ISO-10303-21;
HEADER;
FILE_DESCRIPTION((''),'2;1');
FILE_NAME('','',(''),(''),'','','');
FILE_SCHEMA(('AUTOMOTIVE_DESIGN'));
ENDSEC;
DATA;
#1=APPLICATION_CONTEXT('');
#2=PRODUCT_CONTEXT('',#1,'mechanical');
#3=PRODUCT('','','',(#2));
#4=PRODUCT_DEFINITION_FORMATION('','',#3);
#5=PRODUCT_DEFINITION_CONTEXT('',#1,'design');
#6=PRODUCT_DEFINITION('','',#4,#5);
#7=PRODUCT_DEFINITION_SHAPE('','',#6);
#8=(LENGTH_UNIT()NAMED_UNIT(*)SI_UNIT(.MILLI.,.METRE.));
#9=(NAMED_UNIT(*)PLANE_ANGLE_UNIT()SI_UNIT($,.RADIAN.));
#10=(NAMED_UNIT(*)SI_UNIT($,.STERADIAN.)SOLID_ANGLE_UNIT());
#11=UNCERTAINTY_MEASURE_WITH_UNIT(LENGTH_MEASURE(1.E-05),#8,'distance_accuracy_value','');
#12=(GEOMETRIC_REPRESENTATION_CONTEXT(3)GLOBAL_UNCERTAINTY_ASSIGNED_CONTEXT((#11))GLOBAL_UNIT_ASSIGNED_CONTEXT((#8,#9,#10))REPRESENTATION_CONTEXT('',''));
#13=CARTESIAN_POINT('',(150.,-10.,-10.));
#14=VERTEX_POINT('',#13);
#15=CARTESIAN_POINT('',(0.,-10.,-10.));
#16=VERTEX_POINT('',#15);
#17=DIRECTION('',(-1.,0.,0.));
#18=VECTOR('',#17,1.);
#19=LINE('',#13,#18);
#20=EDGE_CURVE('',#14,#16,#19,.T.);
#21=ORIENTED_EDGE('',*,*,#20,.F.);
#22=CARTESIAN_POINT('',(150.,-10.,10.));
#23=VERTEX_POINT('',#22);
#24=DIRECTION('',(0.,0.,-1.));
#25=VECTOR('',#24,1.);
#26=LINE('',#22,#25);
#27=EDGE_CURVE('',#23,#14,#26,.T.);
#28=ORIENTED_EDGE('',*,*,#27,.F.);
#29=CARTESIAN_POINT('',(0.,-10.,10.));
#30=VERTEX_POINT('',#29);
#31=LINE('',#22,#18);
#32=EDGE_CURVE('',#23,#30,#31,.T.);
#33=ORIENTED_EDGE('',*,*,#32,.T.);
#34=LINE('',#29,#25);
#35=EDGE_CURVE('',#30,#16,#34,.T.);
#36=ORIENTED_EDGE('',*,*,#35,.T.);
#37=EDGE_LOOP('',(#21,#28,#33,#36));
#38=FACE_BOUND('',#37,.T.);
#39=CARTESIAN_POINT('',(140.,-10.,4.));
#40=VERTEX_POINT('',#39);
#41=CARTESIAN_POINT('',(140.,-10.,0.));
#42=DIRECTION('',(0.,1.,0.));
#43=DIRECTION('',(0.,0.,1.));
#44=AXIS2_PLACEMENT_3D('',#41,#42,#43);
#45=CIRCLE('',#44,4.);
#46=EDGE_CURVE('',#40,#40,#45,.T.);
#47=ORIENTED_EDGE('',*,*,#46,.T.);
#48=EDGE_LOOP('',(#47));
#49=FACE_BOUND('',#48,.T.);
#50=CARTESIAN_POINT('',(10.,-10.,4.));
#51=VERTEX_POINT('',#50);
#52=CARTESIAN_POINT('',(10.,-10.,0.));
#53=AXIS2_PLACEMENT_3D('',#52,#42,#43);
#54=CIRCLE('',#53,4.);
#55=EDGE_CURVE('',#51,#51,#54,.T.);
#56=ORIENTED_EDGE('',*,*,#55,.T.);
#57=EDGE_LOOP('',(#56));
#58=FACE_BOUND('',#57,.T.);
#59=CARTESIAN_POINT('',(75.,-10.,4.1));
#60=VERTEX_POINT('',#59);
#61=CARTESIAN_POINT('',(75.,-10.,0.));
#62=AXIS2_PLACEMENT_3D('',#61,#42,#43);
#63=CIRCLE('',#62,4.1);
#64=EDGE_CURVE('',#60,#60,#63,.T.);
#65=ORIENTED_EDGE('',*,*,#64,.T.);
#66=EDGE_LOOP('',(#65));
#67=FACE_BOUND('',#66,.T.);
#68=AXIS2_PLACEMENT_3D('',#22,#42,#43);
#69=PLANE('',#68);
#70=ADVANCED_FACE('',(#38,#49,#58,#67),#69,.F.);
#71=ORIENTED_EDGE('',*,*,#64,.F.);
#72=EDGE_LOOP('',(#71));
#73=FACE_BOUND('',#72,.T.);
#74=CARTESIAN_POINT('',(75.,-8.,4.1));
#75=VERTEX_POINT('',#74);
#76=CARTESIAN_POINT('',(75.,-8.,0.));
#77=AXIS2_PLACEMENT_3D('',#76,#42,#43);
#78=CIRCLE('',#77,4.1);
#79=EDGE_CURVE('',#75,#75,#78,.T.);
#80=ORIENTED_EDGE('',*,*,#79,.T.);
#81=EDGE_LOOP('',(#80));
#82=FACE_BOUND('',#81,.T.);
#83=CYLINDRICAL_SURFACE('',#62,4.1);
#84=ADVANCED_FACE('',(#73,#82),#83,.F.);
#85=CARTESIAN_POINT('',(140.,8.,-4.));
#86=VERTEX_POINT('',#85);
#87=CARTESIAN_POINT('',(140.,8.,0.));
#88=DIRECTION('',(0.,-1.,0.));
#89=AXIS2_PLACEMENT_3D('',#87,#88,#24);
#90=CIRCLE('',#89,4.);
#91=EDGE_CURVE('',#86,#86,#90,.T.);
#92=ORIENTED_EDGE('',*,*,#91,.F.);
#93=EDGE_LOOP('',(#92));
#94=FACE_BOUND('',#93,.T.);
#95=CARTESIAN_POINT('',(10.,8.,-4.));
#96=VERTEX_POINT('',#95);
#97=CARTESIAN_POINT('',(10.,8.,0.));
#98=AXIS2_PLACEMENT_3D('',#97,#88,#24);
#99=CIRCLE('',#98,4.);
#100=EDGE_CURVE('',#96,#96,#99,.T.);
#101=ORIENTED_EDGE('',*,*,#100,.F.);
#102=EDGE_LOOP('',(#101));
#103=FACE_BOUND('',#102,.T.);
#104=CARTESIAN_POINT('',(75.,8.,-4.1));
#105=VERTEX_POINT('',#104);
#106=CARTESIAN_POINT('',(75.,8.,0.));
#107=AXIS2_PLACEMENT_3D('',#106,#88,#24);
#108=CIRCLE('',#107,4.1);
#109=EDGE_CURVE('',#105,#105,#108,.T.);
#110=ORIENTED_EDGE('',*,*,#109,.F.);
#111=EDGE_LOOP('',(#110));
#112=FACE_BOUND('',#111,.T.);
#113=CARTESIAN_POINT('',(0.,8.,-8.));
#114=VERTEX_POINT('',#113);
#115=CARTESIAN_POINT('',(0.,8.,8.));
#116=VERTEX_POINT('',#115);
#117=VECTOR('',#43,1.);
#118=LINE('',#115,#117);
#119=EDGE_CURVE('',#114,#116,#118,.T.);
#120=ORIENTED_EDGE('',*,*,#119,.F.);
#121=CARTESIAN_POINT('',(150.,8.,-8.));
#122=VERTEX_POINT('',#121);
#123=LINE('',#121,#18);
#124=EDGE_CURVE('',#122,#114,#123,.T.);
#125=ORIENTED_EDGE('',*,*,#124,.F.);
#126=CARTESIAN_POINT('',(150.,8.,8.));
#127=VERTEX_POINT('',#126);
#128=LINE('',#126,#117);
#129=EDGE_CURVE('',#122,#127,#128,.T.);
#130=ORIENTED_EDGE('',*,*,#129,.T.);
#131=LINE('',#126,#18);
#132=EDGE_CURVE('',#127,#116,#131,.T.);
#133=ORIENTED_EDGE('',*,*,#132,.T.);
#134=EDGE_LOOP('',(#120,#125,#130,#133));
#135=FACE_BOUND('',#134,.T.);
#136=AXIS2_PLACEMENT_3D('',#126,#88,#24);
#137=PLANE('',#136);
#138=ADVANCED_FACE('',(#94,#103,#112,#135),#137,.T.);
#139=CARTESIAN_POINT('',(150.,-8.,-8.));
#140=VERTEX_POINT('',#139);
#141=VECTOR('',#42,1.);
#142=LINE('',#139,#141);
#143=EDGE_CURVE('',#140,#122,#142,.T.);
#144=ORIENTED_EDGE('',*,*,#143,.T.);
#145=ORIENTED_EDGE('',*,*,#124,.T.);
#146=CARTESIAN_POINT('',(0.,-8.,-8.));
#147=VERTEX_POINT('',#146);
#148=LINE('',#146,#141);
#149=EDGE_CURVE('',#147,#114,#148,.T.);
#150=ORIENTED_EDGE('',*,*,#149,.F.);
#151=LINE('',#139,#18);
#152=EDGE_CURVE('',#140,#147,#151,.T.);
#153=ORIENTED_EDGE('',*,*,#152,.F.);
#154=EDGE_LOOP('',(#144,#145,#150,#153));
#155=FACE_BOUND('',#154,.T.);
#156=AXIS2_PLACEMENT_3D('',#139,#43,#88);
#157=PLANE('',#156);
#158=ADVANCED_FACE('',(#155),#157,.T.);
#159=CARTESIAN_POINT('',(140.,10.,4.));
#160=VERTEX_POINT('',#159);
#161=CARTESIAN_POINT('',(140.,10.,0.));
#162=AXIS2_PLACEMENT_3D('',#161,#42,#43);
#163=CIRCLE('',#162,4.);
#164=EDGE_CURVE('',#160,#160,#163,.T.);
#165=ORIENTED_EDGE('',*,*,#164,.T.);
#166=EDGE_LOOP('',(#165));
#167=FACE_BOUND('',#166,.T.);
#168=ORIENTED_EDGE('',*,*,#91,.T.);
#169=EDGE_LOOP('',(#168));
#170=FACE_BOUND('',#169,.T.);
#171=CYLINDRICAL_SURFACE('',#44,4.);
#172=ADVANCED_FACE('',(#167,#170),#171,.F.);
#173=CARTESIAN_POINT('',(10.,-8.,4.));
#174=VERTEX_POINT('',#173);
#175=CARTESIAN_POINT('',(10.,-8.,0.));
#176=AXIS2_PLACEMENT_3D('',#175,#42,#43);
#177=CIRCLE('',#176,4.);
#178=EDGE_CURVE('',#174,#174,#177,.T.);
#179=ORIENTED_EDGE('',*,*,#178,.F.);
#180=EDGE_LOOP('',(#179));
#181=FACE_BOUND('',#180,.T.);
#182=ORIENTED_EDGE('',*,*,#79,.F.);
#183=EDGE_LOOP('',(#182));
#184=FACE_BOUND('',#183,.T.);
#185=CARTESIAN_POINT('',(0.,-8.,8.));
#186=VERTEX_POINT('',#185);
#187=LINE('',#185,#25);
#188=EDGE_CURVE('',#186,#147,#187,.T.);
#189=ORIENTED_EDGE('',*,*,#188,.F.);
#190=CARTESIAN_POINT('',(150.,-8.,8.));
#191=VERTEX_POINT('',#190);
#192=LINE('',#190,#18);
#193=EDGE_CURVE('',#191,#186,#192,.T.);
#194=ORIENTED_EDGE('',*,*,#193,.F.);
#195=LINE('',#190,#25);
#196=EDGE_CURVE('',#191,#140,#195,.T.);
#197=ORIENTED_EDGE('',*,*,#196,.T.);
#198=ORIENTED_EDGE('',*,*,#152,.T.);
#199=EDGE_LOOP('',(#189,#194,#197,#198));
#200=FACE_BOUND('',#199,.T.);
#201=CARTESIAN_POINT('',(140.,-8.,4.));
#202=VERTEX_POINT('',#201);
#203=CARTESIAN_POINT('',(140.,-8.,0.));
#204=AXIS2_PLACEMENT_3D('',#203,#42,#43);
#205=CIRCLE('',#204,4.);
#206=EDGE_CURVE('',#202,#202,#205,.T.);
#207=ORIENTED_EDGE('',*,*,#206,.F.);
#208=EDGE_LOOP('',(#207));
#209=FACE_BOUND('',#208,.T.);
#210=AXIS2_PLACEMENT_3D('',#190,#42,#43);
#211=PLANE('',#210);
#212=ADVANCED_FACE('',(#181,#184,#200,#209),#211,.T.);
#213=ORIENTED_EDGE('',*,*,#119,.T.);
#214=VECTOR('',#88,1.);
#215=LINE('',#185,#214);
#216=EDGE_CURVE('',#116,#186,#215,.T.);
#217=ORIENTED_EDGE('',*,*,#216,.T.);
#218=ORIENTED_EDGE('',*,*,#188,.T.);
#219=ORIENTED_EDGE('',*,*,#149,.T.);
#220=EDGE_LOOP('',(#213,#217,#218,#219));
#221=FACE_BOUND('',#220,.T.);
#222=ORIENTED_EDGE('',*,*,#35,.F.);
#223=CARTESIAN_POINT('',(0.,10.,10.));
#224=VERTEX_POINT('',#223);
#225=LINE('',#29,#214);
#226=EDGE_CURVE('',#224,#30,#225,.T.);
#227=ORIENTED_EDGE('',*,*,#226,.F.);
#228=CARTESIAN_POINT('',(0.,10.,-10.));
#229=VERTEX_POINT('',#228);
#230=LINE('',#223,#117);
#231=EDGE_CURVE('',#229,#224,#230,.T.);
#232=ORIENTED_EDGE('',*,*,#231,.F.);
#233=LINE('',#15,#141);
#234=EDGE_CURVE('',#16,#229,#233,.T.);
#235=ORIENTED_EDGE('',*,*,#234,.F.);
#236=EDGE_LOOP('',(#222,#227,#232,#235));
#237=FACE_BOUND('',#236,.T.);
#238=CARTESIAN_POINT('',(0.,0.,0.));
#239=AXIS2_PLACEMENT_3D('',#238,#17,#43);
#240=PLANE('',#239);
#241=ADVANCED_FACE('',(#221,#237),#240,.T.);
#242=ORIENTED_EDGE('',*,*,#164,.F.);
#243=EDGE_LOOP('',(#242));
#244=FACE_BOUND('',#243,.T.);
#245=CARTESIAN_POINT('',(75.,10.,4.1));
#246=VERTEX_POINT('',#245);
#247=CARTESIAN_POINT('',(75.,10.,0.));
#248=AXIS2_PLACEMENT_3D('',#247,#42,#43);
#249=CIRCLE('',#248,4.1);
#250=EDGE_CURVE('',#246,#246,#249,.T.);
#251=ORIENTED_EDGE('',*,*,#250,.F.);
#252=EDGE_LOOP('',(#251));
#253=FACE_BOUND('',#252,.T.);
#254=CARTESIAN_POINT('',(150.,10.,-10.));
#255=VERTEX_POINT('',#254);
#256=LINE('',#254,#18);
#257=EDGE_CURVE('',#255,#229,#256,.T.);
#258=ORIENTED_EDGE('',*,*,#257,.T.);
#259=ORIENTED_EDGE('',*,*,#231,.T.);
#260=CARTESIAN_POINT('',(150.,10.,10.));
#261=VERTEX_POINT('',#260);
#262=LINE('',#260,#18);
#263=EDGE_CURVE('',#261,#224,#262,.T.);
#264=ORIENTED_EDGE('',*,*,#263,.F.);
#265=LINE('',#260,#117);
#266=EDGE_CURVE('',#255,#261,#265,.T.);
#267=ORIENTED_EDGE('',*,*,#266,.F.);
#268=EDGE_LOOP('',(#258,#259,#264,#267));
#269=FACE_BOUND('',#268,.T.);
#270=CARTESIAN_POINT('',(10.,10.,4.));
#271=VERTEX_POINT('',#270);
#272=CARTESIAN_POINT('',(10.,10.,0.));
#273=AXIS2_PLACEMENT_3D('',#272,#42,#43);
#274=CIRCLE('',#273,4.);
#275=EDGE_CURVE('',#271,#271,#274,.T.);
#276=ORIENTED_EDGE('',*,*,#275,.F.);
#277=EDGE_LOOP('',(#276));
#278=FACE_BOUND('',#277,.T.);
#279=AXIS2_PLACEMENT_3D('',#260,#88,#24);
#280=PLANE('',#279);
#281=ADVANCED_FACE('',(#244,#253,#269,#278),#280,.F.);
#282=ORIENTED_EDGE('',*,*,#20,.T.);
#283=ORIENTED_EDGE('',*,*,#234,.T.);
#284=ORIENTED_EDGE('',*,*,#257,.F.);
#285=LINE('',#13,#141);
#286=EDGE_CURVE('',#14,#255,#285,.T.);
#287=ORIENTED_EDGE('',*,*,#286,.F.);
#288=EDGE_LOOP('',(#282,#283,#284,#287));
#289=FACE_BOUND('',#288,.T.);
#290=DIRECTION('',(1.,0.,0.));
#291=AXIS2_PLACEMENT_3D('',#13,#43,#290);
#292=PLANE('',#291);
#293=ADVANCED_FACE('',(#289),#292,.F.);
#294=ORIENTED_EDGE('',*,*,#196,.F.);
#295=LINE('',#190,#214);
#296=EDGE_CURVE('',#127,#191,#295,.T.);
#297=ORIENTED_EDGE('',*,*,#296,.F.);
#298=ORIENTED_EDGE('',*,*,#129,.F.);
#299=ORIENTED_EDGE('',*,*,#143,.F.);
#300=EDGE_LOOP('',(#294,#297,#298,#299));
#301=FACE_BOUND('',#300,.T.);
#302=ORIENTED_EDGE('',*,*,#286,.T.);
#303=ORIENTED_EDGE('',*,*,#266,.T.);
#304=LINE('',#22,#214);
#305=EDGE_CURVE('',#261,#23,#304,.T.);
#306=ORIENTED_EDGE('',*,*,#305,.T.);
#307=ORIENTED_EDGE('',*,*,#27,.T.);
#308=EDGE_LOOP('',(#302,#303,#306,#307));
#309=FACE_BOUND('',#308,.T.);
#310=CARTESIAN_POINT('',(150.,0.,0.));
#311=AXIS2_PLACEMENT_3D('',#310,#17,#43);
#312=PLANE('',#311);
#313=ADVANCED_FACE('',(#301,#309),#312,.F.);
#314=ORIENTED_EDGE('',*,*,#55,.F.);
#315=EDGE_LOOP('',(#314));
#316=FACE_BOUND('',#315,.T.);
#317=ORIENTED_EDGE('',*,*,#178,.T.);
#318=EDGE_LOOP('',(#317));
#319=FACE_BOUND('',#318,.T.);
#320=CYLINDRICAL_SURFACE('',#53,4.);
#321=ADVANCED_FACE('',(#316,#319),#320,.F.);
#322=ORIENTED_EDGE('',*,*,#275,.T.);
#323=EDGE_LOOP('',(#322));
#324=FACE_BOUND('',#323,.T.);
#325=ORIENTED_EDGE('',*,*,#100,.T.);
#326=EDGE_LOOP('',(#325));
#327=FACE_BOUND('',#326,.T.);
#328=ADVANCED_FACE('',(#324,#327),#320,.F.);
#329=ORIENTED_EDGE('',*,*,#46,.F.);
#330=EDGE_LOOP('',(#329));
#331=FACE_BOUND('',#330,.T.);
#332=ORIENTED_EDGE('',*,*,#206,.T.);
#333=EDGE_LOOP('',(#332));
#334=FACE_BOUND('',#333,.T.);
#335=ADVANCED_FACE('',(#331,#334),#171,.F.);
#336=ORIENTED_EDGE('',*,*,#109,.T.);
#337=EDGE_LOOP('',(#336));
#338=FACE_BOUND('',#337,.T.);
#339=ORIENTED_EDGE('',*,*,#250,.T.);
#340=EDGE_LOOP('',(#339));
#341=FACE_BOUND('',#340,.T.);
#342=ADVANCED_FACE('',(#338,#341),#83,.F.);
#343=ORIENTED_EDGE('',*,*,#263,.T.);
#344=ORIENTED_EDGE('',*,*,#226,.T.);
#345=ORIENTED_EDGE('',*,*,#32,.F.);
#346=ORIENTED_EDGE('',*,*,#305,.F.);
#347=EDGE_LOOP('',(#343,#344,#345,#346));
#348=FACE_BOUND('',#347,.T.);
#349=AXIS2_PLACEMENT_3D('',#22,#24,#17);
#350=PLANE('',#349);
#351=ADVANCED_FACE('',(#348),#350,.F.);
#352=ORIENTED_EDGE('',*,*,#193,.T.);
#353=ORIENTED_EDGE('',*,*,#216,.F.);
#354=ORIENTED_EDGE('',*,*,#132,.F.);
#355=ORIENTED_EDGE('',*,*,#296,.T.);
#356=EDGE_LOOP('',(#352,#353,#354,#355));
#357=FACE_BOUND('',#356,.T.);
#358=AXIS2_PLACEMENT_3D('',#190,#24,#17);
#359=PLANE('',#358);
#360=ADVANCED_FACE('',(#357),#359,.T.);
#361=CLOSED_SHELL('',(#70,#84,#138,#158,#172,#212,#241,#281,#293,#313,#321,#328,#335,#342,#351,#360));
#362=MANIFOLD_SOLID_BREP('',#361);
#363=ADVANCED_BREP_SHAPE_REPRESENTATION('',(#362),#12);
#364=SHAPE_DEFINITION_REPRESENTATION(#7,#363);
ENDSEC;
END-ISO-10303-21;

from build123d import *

# Parameters (mm, degrees)
SKETCH1_W           = 20
SKETCH1_H           = 20
SKETCH1_W_2         = 16
SKETCH1_H_2         = 16
BOSS_EXTRUDE1_DEPTH = 150
SKETCH2_R           = 4
CUT_EXTRUDE1_DEPTH  = 152.657508881
SKETCH3_R           = 4.1
CUT_EXTRUDE2_DEPTH  = 152.657508881


with BuildPart() as part:
    # Sketch1 → Boss-Extrude1 (new body)
    with BuildSketch(Plane(origin=(0, 0, 0), x_dir=(0, 0, -1), z_dir=(1, 0, 0))):
        Rectangle(SKETCH1_W, SKETCH1_H)
        Rectangle(SKETCH1_W_2, SKETCH1_H_2, mode=Mode.SUBTRACT)
    extrude(amount=BOSS_EXTRUDE1_DEPTH)

    # Sketch2 → Cut-Extrude1 (cut, through all)
    with BuildSketch(Plane(origin=(0, 10, 0), x_dir=(1, 0, 0), z_dir=(0, 1, 0))):
        with Locations(Location((10, 0, 0), (0, 0, 270))):
            Circle(SKETCH2_R)
        with Locations(Location((140, 0, 0), (0, 0, 270))):
            Circle(SKETCH2_R)
    extrude(amount=-CUT_EXTRUDE1_DEPTH, mode=Mode.SUBTRACT)

    # Sketch3 → Cut-Extrude2 (cut, through all)
    with BuildSketch(Plane(origin=(0, 10, 0), x_dir=(1, 0, 0), z_dir=(0, 1, 0))):
        with Locations(Location((75, 0, 0), (0, 0, 270))):
            Circle(SKETCH3_R)
    extrude(amount=-CUT_EXTRUDE2_DEPTH, mode=Mode.SUBTRACT)


solid = part.part
